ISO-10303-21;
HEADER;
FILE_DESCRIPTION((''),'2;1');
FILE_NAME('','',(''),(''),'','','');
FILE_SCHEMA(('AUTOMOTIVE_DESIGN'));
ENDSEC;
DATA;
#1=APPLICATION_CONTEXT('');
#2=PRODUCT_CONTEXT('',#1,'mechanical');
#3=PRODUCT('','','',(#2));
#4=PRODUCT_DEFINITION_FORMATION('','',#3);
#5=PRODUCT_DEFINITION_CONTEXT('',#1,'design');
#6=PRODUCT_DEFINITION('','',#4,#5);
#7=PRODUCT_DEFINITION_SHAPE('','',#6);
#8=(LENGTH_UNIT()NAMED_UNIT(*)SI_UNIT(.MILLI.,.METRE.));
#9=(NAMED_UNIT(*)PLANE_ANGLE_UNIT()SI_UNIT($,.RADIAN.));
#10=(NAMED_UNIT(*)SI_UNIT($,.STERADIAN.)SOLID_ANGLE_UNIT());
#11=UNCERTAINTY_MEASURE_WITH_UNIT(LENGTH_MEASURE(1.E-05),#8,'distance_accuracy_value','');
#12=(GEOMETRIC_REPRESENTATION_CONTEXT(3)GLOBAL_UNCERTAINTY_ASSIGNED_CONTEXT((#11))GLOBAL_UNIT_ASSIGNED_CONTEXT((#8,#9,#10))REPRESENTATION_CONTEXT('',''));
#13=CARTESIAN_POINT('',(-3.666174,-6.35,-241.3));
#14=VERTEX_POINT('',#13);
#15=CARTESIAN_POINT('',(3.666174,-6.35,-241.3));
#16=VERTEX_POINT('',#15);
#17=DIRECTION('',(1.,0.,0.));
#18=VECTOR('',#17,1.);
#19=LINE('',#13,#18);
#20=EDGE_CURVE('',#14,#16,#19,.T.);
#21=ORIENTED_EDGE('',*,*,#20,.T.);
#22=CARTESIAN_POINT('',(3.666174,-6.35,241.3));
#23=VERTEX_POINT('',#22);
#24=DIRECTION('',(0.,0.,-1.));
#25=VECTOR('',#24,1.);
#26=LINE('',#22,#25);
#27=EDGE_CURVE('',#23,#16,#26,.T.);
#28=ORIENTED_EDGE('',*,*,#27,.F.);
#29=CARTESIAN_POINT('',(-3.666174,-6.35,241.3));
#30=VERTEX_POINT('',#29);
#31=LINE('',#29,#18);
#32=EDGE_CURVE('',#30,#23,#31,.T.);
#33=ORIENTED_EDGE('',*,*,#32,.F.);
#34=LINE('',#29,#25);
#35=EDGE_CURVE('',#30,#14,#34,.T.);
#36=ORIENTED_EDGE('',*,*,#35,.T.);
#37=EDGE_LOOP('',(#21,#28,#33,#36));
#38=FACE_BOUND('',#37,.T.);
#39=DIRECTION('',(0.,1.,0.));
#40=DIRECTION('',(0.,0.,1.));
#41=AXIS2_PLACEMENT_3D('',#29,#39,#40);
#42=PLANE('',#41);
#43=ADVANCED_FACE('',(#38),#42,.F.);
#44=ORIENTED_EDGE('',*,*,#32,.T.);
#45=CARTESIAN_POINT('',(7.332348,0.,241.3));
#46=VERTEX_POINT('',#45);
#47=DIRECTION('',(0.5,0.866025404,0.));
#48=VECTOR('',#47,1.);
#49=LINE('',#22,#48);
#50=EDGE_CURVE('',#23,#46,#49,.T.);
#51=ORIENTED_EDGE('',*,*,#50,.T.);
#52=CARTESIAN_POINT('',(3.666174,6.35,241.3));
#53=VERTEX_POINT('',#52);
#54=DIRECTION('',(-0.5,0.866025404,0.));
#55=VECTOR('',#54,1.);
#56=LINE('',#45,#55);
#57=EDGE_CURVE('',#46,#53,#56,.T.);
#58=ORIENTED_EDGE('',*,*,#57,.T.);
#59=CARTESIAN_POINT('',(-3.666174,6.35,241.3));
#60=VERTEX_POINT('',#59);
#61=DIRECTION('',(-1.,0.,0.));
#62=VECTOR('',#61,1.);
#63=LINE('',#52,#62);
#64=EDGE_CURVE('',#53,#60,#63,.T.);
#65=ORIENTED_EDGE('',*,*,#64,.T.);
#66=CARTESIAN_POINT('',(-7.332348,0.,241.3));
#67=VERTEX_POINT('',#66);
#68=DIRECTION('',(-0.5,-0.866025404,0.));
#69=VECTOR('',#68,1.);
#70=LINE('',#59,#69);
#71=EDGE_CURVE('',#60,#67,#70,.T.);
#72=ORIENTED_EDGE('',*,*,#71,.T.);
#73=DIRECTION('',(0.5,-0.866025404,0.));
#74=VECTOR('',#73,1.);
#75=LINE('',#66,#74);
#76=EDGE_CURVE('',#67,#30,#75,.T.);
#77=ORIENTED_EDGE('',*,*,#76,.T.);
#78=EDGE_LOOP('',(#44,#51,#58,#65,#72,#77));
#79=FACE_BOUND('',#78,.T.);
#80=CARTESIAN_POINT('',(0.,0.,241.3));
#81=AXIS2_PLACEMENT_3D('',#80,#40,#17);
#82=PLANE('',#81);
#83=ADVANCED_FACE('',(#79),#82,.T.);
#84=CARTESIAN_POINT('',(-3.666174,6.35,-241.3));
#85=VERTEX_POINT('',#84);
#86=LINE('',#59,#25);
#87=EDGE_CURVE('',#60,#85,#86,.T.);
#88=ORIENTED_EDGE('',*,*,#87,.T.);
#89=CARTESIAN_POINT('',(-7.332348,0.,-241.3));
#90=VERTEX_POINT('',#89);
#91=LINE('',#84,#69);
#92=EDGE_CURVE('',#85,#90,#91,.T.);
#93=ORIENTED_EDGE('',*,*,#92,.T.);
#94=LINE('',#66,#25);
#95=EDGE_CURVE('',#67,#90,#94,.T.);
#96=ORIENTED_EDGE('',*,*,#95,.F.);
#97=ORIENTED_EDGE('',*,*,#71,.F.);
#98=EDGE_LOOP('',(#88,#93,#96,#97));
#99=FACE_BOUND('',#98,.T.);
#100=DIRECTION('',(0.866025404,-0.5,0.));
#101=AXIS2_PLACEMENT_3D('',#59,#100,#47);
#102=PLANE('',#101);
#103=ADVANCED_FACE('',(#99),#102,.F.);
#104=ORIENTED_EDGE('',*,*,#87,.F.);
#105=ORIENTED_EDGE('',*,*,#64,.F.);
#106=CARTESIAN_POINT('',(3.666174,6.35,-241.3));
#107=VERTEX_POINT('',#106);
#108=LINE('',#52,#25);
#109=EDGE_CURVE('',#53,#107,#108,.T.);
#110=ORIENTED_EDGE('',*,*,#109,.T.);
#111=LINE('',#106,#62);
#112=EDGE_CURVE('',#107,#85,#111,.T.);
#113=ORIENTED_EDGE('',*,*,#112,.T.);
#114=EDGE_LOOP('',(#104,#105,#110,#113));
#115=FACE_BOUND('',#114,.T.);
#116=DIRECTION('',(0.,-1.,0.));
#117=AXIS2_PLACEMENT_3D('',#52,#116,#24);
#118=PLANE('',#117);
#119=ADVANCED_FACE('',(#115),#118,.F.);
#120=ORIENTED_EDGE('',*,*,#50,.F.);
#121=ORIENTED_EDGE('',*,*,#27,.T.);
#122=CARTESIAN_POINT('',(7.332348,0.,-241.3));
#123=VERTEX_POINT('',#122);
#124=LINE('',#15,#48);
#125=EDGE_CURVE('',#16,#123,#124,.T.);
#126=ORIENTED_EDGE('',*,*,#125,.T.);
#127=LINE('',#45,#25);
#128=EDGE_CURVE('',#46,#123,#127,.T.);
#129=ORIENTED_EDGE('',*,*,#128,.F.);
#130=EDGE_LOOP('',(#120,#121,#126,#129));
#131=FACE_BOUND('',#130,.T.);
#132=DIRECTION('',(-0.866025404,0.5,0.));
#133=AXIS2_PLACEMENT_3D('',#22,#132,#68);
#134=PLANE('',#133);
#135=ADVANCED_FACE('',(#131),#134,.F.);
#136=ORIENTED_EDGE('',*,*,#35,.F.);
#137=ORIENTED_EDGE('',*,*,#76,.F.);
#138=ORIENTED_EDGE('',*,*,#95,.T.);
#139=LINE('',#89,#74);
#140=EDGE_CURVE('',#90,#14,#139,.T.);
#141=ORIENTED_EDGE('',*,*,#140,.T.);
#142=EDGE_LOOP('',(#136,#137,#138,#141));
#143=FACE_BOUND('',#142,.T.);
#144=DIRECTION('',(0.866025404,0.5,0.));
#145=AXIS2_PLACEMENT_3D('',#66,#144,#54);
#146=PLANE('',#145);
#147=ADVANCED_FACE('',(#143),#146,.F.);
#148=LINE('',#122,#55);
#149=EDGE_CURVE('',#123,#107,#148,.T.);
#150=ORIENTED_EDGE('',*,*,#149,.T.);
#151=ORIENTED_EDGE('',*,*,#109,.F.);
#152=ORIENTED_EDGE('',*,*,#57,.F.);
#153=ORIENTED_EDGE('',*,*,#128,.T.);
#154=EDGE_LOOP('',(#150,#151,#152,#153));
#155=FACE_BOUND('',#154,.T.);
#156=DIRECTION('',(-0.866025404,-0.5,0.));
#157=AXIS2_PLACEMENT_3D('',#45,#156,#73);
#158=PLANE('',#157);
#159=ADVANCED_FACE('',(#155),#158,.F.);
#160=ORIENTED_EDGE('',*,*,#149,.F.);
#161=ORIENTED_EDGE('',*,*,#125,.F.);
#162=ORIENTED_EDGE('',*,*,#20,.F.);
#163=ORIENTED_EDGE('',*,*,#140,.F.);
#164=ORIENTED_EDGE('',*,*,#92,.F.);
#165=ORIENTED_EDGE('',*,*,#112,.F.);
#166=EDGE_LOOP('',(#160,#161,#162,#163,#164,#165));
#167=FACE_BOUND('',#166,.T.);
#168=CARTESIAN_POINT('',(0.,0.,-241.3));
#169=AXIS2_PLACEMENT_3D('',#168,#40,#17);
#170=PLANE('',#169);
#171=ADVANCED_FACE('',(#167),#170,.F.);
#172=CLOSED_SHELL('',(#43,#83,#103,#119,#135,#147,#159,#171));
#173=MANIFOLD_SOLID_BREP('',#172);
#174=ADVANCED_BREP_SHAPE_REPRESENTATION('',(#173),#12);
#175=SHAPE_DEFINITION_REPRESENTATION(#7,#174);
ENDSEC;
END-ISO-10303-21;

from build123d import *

# Parameters (mm, degrees)
BOSS_EXTRUDE1_DEPTH = 241.3


with BuildPart() as part:
    # Sketch2 → Boss-Extrude1 (new, symmetric)
    with BuildSketch(Plane.XY):
        Polygon((3.666174209, -6.35), (7.332348419, 0), (3.666174209, 6.35), (-3.666174209, 6.35), (-7.332348419, 0), (-3.666174209, -6.35), align=None)
    extrude(amount=BOSS_EXTRUDE1_DEPTH, both=True)


solid = part.part
